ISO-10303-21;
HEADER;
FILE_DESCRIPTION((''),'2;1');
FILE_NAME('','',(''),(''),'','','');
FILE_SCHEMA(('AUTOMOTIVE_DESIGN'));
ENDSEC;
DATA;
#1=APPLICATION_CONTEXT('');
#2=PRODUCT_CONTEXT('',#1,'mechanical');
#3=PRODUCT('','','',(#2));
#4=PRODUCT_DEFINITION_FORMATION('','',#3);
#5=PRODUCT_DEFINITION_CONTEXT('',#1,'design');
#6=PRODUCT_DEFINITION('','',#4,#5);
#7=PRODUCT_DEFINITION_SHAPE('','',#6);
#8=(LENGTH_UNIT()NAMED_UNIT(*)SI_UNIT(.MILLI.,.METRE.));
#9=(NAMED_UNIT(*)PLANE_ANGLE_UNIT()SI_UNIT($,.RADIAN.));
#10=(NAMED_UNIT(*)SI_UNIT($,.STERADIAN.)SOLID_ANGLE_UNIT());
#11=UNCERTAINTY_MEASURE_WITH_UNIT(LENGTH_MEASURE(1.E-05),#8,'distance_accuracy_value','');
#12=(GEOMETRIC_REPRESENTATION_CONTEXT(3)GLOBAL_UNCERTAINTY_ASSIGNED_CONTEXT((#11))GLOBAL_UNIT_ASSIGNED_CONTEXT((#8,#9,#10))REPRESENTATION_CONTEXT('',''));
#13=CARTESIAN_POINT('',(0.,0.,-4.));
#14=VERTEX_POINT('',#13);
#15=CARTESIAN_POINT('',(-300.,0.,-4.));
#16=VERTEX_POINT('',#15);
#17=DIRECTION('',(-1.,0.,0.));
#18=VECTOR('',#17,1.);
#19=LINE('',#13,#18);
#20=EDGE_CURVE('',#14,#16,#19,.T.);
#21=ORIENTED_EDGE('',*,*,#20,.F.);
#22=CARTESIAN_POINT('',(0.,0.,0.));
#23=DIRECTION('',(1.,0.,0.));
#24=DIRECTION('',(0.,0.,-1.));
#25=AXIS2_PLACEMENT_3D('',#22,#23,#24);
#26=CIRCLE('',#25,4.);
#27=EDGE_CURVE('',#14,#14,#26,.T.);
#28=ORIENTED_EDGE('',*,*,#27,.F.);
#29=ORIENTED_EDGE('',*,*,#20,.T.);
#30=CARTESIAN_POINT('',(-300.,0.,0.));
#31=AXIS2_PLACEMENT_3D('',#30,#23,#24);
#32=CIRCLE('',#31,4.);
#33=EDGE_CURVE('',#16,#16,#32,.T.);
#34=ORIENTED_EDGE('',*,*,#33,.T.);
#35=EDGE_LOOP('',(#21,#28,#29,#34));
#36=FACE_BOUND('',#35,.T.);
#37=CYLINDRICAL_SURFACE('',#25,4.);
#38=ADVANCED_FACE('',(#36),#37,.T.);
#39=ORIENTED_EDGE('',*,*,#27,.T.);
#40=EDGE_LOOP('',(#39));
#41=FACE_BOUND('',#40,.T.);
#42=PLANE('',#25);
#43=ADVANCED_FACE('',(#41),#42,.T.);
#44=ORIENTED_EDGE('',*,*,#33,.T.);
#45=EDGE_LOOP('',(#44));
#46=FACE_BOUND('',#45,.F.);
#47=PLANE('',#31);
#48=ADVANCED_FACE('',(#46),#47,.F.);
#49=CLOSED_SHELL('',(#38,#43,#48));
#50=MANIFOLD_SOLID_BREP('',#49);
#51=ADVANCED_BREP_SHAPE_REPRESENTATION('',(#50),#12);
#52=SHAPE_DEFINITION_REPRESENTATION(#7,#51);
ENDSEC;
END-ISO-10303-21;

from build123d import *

# Parameters (mm, degrees)
SKETCH1_R           = 4
BOSS_EXTRUDE1_DEPTH = 300


with BuildPart() as part:
    # Sketch1 → Boss-Extrude1 (new body)
    with BuildSketch(Plane(origin=(0, 0, 0), x_dir=(0, 0, -1), z_dir=(1, 0, 0))):
        Circle(SKETCH1_R)
    extrude(amount=-BOSS_EXTRUDE1_DEPTH)


solid = part.part
